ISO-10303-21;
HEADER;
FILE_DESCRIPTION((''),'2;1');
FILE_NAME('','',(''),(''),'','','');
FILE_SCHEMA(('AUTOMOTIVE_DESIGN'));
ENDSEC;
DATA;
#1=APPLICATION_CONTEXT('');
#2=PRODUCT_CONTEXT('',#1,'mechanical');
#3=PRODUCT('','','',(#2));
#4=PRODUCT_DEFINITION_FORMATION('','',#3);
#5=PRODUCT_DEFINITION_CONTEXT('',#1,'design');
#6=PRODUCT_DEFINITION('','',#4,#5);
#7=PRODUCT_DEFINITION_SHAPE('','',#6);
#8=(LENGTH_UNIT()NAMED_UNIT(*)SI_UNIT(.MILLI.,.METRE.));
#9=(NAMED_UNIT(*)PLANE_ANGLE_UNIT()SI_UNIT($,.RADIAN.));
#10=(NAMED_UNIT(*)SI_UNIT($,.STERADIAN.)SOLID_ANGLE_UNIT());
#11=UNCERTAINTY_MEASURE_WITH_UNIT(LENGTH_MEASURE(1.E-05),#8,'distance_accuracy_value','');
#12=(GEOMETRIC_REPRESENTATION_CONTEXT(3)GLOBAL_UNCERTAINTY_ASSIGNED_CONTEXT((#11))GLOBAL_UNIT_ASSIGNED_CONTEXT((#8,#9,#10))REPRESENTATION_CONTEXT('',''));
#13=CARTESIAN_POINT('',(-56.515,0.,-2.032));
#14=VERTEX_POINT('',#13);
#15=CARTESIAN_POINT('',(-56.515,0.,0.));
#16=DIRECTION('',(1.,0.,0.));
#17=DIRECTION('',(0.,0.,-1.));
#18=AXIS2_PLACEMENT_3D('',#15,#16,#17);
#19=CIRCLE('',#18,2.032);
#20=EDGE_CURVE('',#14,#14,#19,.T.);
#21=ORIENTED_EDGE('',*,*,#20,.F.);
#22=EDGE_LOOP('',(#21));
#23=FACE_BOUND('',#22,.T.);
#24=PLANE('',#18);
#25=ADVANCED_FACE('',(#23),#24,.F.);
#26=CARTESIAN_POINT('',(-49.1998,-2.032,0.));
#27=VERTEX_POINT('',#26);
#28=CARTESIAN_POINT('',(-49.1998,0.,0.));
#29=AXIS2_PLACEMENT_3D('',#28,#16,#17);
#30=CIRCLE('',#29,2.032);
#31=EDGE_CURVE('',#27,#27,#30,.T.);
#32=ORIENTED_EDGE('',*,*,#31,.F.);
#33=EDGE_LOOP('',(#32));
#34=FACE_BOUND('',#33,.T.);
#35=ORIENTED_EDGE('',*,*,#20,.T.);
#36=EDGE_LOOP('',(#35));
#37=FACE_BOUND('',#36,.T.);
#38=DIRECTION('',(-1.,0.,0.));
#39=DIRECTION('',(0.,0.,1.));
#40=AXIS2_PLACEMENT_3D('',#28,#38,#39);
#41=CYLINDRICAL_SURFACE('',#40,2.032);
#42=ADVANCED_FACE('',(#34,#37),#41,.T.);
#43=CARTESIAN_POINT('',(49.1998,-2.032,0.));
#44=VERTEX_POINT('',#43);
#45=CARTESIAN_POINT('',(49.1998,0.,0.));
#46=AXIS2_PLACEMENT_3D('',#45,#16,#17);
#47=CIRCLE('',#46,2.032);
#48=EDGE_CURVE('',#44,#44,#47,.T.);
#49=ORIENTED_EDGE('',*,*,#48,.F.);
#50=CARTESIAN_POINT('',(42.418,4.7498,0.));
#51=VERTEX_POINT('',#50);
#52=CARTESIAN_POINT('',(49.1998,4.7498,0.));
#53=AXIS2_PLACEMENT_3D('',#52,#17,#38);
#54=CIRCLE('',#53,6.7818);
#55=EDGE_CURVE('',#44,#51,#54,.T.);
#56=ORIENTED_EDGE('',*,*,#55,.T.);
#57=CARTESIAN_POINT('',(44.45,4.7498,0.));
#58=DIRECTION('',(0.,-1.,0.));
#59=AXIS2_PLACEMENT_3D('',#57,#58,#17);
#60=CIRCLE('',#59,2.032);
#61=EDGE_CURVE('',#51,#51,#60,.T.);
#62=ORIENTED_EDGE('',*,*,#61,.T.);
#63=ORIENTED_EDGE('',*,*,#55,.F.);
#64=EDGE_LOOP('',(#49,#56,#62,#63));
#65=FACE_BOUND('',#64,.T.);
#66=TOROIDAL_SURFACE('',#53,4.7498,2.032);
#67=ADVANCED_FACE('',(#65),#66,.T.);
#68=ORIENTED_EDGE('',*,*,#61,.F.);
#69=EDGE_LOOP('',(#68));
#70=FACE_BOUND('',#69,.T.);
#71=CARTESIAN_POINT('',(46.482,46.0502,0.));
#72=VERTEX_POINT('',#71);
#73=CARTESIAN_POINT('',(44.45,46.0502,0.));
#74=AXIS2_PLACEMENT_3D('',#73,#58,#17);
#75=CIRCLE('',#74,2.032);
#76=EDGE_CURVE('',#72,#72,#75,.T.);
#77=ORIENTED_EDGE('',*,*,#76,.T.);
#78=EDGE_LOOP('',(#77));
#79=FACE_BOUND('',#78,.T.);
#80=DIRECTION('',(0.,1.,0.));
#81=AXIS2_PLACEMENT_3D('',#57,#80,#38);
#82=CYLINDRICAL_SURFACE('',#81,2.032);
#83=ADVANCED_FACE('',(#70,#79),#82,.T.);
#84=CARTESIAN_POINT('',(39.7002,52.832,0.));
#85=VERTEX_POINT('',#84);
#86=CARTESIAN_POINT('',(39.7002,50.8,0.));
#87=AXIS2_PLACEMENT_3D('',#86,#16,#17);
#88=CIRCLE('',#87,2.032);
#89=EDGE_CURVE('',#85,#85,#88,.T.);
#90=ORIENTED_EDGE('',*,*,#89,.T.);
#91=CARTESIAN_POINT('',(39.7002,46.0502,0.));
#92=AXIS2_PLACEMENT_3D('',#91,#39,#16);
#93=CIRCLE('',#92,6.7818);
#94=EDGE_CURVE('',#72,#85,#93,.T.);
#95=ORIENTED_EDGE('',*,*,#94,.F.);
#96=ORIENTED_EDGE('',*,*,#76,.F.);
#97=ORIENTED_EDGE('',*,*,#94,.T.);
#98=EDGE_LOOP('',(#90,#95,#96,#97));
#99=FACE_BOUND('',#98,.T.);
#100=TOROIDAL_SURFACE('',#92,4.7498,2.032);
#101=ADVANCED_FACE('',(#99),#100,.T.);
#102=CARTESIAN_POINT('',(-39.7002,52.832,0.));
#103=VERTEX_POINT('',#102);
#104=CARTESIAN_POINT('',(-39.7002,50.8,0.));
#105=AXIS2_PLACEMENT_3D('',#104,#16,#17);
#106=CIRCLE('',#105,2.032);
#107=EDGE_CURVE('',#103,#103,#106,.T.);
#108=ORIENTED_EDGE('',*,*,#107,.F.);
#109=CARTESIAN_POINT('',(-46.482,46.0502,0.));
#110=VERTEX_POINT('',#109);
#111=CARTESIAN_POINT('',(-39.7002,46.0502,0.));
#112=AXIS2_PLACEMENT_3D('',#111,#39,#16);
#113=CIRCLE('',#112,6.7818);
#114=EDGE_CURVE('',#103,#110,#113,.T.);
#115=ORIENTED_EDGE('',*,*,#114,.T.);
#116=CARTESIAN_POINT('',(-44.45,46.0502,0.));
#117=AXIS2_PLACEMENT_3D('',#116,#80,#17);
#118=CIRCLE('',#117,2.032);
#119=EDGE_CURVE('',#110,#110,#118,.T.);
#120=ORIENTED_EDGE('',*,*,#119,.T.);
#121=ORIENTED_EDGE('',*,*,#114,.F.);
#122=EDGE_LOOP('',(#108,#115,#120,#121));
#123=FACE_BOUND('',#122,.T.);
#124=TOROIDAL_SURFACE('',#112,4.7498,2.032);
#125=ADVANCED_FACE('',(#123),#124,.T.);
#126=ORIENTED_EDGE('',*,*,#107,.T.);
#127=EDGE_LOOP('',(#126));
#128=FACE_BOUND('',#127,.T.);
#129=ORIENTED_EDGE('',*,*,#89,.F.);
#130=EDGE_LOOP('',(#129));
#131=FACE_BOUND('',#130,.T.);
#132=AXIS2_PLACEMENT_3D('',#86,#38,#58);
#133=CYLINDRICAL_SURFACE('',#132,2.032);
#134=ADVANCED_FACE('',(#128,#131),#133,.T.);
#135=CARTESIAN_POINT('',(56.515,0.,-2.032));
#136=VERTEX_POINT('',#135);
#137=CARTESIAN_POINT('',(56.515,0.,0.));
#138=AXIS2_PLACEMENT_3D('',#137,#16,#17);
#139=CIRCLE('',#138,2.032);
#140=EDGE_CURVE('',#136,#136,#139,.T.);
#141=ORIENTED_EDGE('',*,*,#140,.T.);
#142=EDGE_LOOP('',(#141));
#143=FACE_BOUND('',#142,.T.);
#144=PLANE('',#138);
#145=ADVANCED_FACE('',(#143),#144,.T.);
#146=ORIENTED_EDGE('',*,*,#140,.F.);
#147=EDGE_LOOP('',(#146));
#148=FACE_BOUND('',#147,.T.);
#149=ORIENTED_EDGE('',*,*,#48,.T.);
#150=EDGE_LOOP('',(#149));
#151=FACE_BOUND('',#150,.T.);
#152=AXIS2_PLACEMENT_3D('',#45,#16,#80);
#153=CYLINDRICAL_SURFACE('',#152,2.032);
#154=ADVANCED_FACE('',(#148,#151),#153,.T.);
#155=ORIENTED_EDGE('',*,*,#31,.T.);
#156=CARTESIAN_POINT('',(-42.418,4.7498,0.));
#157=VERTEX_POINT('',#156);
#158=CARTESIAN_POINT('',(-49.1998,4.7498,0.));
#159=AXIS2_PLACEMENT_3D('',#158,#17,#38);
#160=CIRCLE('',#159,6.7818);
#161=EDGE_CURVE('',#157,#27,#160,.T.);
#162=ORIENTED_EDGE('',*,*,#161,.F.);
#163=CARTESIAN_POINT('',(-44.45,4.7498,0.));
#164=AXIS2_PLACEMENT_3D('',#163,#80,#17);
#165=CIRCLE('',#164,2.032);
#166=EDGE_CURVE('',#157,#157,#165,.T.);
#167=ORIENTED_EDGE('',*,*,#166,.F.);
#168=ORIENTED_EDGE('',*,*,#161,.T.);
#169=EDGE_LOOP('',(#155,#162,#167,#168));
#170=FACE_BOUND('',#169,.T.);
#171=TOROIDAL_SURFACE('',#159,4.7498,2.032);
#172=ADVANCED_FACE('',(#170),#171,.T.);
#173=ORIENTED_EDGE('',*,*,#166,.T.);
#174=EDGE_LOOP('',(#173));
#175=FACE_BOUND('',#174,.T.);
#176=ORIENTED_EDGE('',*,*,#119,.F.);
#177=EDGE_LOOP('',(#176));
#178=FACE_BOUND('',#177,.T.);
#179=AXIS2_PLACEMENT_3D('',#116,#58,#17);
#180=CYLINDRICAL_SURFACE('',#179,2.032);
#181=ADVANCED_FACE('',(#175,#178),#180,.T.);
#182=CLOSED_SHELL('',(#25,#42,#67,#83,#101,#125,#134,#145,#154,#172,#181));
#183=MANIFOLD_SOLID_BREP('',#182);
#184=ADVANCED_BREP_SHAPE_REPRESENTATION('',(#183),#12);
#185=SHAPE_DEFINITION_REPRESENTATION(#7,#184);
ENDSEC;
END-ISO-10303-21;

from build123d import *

# Parameters (mm, degrees)
SKETCH2_R = 2.032


with BuildPart() as part:
    # Base-Sweep: sweep along a path in Sketch1
    with BuildLine(Plane.XY) as base_sweep_path:
        Line((-56.515, 0), (-49.1998, 0))
        ThreePointArc((-49.1998, 0), (-45.841184211, 1.391184211), (-44.45, 4.7498))
        Line((-44.45, 4.7498), (-44.45, 46.0502))
        ThreePointArc((-44.45, 46.0502), (-43.058815789, 49.408815789), (-39.7002, 50.8))
        Line((-39.7002, 50.8), (39.7002, 50.8))
        ThreePointArc((39.7002, 50.8), (43.058815789, 49.408815789), (44.45, 46.0502))
        Line((44.45, 46.0502), (44.45, 4.7498))
        ThreePointArc((44.45, 4.7498), (45.841184211, 1.391184211), (49.1998, 0))
        Line((49.1998, 0), (56.515, 0))
    # Sketch2 → Base-Sweep (sweep)
    with BuildSketch(Plane(origin=(56.515, 0, 0), x_dir=(0, 0, -1), z_dir=(1, 0, 0))):
        Circle(SKETCH2_R)
    sweep(path=base_sweep_path.line)


solid = part.part
